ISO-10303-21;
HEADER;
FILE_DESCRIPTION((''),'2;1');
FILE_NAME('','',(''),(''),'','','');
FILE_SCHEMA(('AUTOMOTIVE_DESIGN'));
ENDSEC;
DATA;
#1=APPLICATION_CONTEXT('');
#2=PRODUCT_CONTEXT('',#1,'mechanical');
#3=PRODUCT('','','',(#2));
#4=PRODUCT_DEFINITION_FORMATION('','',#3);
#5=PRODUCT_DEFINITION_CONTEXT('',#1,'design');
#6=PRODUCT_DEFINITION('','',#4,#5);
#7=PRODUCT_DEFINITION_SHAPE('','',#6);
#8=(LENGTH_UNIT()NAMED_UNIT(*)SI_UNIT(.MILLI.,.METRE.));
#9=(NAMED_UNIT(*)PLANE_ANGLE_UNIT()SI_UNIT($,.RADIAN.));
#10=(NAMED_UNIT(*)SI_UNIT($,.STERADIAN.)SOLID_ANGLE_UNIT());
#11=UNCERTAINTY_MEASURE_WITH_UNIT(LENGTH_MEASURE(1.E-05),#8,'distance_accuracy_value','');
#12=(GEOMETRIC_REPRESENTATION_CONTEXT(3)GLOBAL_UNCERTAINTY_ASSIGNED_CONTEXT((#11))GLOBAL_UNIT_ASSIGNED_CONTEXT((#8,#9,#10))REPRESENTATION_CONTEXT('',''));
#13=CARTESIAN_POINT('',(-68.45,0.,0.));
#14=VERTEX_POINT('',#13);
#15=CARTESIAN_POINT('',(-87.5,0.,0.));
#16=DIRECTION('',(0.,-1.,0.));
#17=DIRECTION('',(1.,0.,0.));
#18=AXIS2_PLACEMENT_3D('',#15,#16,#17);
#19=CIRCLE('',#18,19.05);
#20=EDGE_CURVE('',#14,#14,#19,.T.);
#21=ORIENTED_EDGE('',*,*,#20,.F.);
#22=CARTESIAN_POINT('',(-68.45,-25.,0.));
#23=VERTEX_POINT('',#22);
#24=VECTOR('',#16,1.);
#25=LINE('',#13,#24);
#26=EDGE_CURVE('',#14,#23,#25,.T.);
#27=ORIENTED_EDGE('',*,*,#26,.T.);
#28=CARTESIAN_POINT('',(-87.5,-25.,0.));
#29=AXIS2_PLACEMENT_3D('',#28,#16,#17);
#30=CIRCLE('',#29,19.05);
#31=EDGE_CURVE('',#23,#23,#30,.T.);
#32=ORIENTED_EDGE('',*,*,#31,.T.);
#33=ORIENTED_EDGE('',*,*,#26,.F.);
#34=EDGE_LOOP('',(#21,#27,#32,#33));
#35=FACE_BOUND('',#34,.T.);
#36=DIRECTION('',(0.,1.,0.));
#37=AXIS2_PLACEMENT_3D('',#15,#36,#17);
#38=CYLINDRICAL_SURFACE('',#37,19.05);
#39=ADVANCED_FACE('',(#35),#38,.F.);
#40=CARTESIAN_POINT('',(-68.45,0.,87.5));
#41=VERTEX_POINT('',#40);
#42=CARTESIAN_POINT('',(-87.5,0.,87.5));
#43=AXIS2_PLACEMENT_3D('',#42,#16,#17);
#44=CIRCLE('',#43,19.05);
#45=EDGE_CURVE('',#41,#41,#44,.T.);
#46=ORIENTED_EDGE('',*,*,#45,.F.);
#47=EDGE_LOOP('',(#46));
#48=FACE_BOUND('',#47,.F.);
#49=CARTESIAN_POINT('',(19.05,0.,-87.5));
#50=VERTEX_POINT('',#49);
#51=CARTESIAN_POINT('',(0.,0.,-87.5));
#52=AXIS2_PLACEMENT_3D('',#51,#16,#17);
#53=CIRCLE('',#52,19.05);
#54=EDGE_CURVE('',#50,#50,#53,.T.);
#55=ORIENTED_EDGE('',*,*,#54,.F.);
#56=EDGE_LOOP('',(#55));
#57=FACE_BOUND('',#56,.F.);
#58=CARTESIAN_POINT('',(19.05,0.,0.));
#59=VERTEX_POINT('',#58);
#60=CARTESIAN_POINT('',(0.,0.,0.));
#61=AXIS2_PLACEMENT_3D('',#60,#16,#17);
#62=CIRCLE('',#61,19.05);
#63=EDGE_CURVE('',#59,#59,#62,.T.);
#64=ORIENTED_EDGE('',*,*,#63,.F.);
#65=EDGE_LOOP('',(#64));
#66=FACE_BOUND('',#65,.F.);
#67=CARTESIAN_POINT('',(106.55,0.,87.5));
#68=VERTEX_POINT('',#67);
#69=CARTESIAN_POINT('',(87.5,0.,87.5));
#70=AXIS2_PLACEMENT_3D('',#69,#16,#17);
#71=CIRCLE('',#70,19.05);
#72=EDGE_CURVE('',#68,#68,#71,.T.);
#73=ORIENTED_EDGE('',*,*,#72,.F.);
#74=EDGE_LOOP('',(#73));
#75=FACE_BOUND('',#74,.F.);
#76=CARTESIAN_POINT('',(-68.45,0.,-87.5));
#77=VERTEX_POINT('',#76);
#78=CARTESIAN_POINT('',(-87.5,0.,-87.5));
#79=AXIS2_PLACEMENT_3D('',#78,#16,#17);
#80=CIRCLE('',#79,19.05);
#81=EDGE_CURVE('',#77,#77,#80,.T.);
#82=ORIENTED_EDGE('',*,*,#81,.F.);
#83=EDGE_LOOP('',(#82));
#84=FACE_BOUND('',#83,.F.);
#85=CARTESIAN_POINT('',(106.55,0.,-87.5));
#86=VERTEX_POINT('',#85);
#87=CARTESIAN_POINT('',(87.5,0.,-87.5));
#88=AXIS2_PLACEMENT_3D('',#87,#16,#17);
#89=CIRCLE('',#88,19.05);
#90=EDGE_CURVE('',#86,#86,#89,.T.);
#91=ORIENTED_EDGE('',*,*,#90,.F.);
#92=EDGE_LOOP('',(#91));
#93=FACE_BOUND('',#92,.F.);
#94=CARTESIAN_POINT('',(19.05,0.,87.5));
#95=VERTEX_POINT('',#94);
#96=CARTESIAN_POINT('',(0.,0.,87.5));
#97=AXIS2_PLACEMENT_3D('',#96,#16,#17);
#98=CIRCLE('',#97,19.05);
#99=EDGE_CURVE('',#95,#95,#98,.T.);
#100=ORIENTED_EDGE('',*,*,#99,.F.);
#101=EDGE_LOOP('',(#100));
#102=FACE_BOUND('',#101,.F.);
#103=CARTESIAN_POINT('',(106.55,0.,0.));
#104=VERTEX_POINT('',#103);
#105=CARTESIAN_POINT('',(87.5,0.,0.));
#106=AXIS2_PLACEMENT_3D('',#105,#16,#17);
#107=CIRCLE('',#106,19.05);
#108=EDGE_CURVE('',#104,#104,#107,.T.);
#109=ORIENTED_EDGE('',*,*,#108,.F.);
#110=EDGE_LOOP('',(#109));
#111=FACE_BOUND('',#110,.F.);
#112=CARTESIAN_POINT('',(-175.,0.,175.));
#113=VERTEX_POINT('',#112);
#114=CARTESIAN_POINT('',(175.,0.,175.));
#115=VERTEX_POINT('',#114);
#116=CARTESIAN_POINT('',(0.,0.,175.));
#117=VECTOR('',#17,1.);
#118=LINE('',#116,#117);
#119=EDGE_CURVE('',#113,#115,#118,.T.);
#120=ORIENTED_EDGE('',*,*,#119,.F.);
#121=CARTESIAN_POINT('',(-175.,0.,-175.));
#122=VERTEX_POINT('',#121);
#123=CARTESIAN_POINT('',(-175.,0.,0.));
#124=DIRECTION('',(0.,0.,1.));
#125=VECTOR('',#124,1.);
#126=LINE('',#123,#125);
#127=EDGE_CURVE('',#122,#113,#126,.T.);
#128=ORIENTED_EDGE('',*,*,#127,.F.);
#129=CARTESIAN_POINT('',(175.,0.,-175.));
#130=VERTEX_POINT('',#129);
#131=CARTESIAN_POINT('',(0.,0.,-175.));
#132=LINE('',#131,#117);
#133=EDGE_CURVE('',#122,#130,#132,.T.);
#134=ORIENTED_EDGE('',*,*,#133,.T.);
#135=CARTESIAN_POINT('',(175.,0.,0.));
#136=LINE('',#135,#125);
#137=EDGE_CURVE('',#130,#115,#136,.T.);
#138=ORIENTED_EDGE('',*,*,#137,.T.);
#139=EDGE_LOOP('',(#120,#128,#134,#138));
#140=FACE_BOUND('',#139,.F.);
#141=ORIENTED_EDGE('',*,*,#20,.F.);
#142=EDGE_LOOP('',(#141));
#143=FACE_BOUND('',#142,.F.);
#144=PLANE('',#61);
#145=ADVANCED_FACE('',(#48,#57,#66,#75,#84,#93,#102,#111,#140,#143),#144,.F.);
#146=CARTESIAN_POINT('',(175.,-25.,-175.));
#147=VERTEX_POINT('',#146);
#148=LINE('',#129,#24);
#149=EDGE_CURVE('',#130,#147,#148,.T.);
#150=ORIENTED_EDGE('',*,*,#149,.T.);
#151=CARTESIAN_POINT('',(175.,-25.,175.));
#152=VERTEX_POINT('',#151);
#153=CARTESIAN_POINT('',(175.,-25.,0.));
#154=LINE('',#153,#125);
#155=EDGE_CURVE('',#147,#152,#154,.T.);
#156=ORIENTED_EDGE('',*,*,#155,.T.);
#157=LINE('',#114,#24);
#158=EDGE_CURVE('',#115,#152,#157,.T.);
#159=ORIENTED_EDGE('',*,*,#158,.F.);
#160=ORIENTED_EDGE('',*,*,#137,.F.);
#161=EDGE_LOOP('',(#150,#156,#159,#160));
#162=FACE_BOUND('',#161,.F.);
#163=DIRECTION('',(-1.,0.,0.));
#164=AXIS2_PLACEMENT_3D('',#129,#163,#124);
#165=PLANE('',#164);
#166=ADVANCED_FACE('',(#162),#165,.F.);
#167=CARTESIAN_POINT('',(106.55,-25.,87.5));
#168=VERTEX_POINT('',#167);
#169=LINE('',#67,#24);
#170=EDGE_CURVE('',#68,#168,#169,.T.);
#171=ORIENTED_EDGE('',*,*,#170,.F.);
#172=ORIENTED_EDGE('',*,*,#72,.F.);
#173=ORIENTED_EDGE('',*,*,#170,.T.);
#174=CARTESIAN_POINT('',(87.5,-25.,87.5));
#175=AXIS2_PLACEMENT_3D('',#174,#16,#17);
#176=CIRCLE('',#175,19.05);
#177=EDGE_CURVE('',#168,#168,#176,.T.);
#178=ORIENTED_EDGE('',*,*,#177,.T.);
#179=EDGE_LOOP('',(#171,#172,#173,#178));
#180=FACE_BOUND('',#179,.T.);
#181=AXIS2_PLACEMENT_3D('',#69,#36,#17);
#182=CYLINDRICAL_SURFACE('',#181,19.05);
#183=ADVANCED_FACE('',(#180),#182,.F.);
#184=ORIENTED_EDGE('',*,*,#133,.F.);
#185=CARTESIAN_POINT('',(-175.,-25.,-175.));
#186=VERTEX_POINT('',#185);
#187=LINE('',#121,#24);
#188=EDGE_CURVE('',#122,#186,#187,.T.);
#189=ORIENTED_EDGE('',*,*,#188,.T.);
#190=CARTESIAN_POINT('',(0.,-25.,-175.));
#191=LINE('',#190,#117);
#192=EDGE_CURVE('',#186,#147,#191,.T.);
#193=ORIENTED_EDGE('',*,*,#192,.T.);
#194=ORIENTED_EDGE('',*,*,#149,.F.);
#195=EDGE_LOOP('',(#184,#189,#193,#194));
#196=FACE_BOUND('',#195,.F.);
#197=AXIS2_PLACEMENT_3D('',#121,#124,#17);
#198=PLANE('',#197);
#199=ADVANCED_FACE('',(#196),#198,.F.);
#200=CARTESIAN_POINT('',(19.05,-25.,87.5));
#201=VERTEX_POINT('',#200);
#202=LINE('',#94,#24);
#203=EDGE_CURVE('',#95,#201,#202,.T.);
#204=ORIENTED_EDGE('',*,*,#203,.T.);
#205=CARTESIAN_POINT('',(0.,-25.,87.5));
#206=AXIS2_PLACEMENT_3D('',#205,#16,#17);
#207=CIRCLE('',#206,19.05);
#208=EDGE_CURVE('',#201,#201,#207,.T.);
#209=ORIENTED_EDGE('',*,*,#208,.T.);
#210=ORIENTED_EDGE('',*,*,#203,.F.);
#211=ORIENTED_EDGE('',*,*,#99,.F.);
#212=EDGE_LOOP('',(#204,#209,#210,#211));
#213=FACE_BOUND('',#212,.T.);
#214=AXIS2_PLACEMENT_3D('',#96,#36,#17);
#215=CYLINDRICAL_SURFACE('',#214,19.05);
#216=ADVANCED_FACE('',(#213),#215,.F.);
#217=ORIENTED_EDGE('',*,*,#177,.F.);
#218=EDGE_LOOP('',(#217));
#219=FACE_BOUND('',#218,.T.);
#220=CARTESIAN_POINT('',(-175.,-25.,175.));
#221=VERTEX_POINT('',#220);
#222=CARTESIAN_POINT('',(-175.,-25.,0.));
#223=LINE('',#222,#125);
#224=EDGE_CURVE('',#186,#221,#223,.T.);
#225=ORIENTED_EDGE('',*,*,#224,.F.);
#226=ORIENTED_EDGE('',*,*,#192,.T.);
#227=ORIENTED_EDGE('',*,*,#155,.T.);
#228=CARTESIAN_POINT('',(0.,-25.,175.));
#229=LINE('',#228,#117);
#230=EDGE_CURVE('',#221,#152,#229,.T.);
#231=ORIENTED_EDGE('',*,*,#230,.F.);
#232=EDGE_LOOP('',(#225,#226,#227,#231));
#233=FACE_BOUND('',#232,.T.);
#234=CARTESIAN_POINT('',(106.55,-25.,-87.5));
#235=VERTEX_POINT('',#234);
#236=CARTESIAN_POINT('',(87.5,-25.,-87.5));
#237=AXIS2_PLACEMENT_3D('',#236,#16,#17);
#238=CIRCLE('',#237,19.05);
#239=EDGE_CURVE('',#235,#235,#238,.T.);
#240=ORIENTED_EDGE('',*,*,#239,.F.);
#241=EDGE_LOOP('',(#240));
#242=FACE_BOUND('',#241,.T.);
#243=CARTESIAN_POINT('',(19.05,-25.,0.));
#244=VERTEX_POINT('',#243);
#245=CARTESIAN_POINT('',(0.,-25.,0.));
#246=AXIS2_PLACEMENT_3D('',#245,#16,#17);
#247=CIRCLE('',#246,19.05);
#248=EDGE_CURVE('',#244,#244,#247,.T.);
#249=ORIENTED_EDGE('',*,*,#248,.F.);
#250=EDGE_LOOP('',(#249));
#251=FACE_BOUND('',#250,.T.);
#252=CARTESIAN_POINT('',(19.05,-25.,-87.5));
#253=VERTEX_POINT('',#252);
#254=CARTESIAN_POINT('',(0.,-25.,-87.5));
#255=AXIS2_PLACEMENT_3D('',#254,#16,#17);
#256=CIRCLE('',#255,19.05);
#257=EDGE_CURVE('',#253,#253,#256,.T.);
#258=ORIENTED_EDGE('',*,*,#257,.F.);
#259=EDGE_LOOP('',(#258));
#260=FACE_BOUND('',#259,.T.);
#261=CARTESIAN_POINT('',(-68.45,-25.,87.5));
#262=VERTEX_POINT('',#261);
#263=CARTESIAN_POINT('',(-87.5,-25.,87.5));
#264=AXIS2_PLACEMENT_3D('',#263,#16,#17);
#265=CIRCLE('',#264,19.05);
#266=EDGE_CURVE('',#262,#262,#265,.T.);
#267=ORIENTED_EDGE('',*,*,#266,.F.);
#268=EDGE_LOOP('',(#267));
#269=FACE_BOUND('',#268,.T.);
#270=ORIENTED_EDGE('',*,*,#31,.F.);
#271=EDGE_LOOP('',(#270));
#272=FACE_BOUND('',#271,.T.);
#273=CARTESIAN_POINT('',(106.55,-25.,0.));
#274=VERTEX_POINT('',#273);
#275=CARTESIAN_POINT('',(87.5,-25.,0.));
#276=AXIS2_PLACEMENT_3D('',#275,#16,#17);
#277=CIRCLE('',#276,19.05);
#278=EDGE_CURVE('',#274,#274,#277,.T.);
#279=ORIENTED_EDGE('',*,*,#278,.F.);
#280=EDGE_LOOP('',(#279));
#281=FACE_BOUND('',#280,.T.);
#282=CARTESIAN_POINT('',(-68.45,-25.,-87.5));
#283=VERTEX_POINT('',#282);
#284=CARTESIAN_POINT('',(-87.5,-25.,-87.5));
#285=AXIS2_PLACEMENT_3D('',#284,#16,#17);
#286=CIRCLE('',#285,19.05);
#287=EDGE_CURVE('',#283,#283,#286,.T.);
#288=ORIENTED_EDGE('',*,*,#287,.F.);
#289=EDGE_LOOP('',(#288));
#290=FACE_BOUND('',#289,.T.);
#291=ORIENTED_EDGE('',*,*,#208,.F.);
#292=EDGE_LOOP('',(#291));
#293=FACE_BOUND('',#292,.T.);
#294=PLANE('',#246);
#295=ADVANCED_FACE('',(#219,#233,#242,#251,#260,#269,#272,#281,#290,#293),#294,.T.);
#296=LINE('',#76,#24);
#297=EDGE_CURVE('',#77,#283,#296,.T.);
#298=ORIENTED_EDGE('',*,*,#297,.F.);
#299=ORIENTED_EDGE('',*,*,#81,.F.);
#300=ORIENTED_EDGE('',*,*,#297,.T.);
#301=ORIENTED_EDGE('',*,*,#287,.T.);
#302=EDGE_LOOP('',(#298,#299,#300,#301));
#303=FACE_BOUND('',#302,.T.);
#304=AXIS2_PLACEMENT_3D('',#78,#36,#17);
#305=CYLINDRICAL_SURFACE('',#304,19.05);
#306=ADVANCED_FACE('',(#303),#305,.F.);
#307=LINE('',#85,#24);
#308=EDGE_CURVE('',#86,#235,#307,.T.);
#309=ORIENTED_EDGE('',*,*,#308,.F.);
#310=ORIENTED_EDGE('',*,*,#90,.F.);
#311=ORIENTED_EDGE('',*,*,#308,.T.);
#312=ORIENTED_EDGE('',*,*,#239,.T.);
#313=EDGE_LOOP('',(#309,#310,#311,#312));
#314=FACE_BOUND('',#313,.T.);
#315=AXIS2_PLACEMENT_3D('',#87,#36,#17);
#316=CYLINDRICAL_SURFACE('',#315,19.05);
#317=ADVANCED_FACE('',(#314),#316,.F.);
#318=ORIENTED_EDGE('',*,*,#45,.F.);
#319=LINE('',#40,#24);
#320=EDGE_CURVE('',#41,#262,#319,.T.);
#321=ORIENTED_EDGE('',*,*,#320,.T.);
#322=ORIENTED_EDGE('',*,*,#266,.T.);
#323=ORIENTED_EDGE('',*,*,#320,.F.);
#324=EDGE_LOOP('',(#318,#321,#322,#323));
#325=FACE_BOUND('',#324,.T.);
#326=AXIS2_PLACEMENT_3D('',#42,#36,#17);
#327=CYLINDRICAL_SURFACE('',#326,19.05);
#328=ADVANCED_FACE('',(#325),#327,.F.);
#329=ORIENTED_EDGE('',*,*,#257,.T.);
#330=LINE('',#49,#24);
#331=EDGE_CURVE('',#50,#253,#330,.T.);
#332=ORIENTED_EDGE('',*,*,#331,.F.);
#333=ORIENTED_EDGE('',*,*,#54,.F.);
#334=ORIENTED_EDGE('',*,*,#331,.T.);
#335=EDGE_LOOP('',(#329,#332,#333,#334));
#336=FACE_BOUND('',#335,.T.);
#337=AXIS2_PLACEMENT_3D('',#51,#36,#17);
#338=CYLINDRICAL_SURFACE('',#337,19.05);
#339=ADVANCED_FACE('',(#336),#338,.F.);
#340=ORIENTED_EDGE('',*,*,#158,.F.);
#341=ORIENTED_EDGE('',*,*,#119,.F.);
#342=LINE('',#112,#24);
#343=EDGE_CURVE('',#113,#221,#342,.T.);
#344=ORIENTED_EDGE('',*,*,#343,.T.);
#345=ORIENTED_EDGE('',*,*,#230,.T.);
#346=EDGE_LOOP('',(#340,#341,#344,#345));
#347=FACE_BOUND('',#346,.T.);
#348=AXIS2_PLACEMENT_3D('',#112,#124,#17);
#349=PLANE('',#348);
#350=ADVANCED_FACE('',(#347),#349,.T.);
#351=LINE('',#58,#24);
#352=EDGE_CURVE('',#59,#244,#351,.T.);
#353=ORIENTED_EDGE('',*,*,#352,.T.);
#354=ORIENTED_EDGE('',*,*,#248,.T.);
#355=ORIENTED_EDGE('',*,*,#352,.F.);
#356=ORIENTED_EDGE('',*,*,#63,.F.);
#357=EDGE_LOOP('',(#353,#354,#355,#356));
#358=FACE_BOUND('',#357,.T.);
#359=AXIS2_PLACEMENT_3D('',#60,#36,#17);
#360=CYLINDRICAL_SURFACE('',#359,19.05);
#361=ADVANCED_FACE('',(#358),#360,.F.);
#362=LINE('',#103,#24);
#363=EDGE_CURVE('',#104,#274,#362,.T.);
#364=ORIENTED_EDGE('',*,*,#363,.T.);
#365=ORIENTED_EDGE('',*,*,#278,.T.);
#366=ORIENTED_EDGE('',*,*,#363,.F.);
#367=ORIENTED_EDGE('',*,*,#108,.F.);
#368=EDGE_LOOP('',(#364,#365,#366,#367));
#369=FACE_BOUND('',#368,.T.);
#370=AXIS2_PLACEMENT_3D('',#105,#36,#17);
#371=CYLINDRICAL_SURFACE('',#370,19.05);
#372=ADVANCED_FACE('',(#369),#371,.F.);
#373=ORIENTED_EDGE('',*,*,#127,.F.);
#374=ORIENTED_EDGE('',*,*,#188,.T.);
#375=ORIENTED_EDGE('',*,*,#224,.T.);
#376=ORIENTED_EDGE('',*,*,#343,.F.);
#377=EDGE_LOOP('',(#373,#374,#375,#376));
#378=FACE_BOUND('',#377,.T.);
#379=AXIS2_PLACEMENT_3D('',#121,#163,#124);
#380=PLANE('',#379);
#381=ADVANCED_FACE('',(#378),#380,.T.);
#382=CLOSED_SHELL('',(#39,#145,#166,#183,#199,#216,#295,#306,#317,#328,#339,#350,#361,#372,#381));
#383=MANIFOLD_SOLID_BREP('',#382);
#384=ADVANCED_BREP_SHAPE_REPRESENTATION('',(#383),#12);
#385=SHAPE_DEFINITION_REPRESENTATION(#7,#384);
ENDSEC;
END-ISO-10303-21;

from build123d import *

# Parameters (mm, degrees)
F0_W     = 350
F0_H     = 350
F0_R     = 19.05
F1_DEPTH = 25


with BuildPart() as f1:
    # F0 (on Front) → F1 (new body)
    with BuildSketch(Plane.XZ):
        Rectangle(F0_W, F0_H)
        with Locations((-87.5, -87.5)):
            Circle(F0_R, mode=Mode.SUBTRACT)
        with Locations((0, -87.5)):
            Circle(F0_R, mode=Mode.SUBTRACT)
        with Locations((87.5, -87.5)):
            Circle(F0_R, mode=Mode.SUBTRACT)
        with Locations((-87.5, 0)):
            Circle(F0_R, mode=Mode.SUBTRACT)
        with Locations((-87.5, 87.5)):
            Circle(F0_R, mode=Mode.SUBTRACT)
        Circle(F0_R, mode=Mode.SUBTRACT)
        with Locations((87.5, 0)):
            Circle(F0_R, mode=Mode.SUBTRACT)
        with Locations((0, 87.5)):
            Circle(F0_R, mode=Mode.SUBTRACT)
        with Locations((87.5, 87.5)):
            Circle(F0_R, mode=Mode.SUBTRACT)
    extrude(amount=F1_DEPTH)


solid = f1.part
